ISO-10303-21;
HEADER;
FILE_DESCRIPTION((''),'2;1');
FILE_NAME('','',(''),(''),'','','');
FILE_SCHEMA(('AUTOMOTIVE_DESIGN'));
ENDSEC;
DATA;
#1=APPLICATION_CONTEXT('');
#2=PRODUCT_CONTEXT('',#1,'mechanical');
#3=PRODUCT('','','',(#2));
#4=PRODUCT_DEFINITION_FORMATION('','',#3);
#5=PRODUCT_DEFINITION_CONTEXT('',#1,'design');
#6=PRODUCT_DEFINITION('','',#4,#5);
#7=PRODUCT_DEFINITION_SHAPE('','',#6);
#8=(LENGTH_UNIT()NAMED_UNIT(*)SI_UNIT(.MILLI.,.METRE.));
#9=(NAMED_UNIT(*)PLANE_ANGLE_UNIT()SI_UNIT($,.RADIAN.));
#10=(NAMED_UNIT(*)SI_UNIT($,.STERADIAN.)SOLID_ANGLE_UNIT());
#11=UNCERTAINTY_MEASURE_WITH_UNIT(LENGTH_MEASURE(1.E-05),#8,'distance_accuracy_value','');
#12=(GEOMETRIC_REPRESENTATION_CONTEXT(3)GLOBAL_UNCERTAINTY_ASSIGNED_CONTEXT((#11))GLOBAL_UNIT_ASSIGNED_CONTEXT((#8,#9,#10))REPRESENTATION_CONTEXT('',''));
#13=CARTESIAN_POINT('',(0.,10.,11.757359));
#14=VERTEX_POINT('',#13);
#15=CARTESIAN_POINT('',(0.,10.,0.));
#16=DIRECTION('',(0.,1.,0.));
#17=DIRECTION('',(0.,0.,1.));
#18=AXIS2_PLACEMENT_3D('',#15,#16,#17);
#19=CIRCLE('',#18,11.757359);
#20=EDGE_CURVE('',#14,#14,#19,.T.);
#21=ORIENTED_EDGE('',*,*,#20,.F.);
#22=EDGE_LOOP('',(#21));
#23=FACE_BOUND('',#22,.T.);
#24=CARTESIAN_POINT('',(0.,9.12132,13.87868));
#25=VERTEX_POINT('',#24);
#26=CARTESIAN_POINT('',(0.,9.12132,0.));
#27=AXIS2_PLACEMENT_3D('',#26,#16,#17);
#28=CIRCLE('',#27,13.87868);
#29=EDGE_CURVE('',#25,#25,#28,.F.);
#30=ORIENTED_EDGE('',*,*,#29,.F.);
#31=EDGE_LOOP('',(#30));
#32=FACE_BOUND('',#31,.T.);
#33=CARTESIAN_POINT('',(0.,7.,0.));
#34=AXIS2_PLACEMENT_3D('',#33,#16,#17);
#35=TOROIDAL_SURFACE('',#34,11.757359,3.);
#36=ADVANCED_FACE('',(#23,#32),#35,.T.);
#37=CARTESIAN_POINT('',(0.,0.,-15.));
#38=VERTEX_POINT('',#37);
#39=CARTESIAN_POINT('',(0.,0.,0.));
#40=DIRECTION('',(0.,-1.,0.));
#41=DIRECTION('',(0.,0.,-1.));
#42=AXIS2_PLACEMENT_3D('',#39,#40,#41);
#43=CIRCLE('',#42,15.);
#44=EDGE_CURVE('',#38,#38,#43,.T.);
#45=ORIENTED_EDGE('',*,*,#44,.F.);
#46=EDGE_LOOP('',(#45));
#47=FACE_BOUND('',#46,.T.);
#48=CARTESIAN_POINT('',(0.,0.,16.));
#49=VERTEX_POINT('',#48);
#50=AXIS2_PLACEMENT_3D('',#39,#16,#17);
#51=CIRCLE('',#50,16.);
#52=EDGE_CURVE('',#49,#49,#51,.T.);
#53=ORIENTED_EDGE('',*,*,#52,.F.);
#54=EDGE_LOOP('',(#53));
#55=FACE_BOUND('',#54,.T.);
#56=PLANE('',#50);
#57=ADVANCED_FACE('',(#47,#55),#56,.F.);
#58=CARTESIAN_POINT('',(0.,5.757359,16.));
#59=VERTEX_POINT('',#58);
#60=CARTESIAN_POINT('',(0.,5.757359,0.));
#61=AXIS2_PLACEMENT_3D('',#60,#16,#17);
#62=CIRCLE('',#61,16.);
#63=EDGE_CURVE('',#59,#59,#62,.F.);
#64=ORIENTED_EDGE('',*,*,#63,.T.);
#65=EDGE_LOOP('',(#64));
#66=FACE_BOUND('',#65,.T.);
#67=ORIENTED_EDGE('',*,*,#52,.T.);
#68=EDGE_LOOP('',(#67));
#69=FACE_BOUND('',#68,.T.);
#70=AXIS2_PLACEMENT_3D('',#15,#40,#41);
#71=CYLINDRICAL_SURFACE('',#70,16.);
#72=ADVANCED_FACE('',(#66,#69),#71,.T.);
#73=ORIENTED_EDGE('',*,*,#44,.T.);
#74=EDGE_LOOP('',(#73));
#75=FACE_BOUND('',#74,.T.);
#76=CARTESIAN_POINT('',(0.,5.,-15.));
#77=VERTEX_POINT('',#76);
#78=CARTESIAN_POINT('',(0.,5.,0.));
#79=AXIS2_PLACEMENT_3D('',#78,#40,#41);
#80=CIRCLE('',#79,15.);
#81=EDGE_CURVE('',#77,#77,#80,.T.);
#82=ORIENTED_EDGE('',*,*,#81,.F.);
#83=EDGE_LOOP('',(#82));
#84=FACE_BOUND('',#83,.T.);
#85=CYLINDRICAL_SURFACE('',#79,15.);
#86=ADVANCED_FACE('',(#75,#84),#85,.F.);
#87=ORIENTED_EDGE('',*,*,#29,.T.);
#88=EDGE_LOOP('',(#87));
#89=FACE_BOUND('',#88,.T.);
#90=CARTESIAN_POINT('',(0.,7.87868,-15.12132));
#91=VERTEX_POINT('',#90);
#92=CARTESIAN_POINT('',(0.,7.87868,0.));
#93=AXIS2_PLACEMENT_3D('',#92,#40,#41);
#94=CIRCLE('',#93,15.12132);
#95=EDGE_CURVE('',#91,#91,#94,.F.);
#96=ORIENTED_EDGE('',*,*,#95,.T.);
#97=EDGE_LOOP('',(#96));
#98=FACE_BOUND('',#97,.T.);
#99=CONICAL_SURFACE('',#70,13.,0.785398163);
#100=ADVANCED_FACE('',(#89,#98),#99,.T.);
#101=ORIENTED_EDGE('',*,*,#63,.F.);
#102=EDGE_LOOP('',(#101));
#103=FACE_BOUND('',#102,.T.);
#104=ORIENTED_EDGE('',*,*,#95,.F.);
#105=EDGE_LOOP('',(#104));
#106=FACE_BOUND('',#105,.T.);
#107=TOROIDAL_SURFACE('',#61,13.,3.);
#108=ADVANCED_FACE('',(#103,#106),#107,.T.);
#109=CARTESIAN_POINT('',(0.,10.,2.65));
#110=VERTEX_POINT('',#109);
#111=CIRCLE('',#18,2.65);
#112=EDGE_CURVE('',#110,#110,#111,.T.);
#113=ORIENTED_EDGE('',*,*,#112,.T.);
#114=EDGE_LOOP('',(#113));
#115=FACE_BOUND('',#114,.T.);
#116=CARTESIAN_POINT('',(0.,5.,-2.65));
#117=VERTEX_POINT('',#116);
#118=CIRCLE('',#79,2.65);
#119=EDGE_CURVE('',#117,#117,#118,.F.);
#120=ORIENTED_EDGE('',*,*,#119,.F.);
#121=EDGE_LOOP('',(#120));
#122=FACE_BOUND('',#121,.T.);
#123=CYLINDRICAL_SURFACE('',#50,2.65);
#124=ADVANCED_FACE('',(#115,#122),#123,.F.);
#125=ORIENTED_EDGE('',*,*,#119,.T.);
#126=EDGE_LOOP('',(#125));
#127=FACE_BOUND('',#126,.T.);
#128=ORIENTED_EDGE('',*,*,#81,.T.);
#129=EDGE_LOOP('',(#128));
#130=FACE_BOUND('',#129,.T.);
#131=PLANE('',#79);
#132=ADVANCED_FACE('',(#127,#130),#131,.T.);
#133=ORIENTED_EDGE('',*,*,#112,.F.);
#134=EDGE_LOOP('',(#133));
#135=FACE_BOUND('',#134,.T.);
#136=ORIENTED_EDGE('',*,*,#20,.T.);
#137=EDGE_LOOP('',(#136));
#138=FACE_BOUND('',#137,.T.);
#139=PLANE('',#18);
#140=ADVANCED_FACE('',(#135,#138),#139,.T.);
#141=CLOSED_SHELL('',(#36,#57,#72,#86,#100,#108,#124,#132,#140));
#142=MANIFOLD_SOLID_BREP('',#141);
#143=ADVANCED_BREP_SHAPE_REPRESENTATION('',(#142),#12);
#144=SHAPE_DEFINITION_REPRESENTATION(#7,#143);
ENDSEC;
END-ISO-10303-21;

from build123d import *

# Parameters (mm, degrees)
SKETCH1_R           = 16
BOSS_EXTRUDE1_DEPTH = 10
CHAMFER1_SIZE       = 3
FILLET1_R           = 3
SKETCH2_R           = 2.65
CUT_EXTRUDE1_DEPTH  = 10
SKETCH3_R           = 15
CUT_EXTRUDE2_DEPTH  = 5


with BuildPart() as part:
    # Sketch1 → Boss-Extrude1 (new body)
    with BuildSketch(Plane(origin=(0, 0, 0), x_dir=(1, 0, 0), z_dir=(0, 1, 0))):
        with Locations(Location((0, 0, 0), (0, 0, 270))):
            Circle(SKETCH1_R)
    extrude(amount=BOSS_EXTRUDE1_DEPTH)

    # Chamfer1
    chamfer1_edges = [part.edges().sort_by_distance(p)[0] for p in [
        (0, 10, -16),
    ]]
    chamfer(chamfer1_edges, length=CHAMFER1_SIZE)

    # Fillet1
    fillet1_edges = [part.edges().sort_by_distance(p)[0] for p in [
        (0, 10, -13),
        (0, 7, -16),
    ]]
    fillet(fillet1_edges, radius=FILLET1_R)

    # Sketch2 → Cut-Extrude1 (cut)
    with BuildSketch(Plane(origin=(0, 10, 0), x_dir=(1, 0, 0), z_dir=(0, 1, 0))):
        with Locations(Location((0, 0, 0), (0, 0, 270))):
            Circle(SKETCH2_R)
    extrude(amount=-CUT_EXTRUDE1_DEPTH, mode=Mode.SUBTRACT)

    # Sketch3 → Cut-Extrude2 (cut)
    with BuildSketch(Plane.XZ):
        with Locations(Location((0, 0, 0), (0, 0, 270))):
            Circle(SKETCH3_R)
    extrude(amount=-CUT_EXTRUDE2_DEPTH, mode=Mode.SUBTRACT)


solid = part.part
